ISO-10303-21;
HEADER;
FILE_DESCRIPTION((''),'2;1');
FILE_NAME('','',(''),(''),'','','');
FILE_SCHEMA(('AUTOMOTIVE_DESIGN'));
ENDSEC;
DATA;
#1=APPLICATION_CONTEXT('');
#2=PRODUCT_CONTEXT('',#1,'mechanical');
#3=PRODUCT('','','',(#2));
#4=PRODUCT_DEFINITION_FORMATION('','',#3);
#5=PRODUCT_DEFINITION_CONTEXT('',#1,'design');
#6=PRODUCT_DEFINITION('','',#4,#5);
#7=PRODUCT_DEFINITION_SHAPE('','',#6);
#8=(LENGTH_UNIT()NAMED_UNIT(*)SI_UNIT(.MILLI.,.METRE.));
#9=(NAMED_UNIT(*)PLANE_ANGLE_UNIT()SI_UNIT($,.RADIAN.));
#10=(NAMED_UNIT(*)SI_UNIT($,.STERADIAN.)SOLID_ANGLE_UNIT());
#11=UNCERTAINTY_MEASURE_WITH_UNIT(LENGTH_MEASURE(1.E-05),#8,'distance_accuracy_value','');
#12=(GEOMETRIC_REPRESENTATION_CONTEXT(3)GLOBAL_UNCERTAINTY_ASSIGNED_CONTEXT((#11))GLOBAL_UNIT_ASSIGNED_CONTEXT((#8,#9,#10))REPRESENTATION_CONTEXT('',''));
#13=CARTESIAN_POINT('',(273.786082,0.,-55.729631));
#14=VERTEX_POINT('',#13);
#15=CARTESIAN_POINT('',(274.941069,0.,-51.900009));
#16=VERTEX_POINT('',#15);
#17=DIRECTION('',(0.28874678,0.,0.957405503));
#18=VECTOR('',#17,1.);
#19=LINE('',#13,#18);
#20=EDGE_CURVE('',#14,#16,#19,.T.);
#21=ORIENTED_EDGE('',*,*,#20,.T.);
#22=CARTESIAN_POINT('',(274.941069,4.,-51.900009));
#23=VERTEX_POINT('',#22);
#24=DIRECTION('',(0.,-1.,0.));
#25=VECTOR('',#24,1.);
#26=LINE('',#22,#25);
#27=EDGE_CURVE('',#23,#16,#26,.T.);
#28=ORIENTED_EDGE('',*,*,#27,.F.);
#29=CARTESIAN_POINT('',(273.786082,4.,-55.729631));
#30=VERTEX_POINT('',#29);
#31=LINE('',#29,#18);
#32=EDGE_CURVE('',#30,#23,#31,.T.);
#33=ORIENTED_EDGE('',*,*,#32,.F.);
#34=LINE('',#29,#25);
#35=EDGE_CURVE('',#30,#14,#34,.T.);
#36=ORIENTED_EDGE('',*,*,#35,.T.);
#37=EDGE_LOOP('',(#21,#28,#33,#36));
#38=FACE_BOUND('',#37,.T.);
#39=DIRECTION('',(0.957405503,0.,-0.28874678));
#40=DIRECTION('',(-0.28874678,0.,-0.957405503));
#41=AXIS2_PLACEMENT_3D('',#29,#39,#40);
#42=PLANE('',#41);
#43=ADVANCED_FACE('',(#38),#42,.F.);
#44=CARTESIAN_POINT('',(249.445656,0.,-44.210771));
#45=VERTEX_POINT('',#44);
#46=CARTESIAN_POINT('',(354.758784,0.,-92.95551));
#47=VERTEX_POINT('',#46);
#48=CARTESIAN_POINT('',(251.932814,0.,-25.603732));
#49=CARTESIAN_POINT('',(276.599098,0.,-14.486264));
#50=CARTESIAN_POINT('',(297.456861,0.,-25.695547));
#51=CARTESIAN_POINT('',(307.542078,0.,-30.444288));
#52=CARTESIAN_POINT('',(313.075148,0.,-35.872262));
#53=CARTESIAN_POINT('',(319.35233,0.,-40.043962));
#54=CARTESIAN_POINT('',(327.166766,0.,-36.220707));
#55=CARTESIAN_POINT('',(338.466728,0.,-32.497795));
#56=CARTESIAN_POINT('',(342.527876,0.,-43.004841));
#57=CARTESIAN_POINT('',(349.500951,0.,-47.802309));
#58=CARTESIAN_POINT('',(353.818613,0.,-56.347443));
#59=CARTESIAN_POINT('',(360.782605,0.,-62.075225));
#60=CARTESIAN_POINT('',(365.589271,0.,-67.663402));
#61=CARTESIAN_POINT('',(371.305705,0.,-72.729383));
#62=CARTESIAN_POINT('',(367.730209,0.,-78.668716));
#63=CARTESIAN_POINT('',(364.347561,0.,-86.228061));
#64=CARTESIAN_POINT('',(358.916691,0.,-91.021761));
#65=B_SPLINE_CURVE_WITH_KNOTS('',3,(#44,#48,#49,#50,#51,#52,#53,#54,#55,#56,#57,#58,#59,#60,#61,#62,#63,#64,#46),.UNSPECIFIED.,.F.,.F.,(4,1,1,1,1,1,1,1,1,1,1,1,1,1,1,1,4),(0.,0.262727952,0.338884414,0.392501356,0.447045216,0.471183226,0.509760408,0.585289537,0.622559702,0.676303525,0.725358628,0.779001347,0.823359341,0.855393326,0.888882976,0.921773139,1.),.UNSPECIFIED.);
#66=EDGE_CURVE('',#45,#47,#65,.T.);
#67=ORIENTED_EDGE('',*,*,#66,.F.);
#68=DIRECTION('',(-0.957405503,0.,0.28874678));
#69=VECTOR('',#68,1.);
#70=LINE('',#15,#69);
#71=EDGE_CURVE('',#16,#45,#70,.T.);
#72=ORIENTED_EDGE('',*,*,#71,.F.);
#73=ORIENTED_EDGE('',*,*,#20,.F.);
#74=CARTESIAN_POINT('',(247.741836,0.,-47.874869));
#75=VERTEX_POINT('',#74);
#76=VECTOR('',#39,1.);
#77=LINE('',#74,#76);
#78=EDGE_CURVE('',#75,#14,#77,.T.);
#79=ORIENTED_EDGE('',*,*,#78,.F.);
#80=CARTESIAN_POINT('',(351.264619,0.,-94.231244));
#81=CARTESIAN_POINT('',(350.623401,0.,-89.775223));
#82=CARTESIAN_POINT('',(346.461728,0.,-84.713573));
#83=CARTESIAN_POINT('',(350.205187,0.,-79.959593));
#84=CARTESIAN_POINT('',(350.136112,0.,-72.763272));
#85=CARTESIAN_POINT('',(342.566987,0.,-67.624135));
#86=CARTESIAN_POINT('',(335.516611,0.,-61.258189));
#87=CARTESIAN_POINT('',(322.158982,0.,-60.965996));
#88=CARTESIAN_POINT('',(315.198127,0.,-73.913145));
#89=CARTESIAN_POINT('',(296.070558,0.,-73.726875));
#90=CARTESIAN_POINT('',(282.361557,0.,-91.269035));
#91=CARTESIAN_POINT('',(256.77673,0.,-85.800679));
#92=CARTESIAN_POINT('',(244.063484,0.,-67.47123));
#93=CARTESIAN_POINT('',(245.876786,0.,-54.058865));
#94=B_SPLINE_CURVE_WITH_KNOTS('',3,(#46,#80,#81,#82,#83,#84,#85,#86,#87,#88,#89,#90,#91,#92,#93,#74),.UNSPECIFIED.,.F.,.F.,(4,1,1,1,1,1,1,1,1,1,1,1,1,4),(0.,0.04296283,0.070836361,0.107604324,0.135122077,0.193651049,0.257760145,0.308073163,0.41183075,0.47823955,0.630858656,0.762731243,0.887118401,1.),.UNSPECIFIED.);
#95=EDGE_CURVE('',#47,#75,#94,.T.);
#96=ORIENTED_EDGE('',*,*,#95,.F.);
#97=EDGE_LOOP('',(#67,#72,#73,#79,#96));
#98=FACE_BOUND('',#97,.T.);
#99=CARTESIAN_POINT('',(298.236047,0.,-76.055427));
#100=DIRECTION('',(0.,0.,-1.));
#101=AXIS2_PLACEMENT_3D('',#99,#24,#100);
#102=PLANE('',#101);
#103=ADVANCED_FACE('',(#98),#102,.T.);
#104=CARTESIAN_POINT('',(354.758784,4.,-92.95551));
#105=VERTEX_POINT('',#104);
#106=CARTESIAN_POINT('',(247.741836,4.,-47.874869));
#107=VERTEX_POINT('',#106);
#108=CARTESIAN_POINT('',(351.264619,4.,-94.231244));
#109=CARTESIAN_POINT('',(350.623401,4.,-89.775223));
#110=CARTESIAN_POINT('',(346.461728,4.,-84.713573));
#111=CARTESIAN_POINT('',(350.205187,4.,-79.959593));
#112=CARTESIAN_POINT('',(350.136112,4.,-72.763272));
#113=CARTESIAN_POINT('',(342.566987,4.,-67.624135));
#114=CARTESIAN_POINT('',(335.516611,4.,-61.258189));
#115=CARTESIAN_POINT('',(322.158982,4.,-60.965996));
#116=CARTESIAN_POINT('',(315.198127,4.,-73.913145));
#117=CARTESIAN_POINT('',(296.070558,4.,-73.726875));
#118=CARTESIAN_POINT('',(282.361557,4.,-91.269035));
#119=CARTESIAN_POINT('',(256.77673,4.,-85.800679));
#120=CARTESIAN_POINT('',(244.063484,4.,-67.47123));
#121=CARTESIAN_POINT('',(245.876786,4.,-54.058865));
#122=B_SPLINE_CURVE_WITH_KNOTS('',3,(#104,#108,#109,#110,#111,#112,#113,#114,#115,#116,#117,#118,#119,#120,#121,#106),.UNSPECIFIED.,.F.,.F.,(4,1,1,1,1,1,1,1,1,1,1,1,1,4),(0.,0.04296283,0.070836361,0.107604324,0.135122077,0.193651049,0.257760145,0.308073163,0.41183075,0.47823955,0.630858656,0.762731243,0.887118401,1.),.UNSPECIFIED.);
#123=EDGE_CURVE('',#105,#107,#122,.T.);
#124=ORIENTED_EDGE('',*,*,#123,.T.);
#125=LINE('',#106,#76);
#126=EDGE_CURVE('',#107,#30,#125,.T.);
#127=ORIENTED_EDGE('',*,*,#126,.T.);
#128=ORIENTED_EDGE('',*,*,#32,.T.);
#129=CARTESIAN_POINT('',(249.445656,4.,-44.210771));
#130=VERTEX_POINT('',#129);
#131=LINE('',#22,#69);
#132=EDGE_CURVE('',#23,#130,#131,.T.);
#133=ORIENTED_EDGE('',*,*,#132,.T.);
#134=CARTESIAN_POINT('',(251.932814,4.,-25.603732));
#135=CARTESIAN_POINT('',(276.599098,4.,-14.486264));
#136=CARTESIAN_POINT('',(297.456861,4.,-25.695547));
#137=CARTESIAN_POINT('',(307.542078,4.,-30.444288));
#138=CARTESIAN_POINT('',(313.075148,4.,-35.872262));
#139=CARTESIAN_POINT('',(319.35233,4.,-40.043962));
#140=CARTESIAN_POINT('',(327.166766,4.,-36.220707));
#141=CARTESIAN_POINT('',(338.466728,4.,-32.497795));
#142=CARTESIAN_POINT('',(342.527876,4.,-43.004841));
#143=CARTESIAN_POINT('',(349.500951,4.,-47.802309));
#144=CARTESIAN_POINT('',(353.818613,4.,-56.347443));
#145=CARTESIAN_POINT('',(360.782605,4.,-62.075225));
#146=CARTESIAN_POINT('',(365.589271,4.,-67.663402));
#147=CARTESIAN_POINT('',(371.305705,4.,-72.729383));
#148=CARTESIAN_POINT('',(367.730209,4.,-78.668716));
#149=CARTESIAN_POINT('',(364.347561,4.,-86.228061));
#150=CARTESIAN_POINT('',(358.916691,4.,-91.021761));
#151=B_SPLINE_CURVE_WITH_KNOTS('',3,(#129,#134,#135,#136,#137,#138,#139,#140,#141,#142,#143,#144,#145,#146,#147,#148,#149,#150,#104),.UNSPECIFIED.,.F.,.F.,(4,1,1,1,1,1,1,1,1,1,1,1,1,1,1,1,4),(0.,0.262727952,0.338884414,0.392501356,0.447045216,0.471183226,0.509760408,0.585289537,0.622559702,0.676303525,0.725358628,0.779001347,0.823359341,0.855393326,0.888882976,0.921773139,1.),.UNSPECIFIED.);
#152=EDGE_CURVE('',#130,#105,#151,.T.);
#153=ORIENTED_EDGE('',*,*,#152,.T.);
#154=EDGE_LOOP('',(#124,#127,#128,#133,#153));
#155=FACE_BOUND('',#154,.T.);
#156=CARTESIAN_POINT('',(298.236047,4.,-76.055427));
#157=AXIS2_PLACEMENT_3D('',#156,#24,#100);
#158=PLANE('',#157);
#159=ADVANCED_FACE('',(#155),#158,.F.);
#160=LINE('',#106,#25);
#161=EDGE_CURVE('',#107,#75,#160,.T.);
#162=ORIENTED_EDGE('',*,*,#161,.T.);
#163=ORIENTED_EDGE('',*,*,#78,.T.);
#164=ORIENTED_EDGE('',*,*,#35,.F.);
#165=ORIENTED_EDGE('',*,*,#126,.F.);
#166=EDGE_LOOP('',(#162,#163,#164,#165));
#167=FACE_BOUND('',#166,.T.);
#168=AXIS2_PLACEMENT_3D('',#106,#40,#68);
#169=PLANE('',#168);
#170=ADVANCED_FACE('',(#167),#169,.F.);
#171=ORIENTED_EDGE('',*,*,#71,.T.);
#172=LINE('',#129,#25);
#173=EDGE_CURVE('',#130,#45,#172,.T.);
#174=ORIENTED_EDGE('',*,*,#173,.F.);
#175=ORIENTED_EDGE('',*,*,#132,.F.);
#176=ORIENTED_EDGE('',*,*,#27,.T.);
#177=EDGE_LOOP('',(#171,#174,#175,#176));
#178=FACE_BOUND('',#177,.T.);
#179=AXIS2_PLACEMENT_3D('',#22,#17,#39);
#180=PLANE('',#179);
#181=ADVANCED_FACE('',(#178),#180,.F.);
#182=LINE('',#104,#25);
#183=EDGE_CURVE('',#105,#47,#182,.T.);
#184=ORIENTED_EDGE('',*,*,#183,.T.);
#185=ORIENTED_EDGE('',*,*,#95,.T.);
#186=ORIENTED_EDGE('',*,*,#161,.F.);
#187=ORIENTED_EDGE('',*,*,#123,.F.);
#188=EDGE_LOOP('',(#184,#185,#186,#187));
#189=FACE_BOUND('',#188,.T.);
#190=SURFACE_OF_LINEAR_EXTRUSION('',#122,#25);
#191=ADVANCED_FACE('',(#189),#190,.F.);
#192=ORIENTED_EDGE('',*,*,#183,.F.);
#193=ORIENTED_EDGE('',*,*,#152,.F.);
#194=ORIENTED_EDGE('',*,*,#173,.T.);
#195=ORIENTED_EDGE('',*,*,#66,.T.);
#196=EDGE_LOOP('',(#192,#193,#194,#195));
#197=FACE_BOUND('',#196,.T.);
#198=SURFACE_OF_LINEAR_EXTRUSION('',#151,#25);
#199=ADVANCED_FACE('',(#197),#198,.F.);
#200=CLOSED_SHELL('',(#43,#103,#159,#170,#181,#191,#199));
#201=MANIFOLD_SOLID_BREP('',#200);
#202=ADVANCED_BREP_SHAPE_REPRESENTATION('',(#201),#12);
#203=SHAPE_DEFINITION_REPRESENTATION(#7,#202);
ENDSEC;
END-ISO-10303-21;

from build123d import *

# Parameters (mm, degrees)
EXTRUDE_1_DEPTH = 4


with BuildPart() as part:
    # Эскиз1 → Бобышка-Вытянуть1 (new body)
    with BuildSketch(Plane(origin=(0, 0, 0), x_dir=(1, 0, 0), z_dir=(0, 1, 0))):
        with BuildLine():
            Line((247.741835852, 47.874869006), (273.786081968, 55.729630826))
            Line((273.786081968, 55.729630826), (274.941069086, 51.900008813))
            Line((274.941069086, 51.900008813), (249.445655619, 44.210771069))
            add(Edge.make_bspline(
                [(354.758784134, 92.955509874), (358.916690971, 91.021761105), (364.347560567, 86.228061254), (367.730208942, 78.668715766), (371.305704515, 72.72938285), (365.589270963, 67.663402352), (360.782605143, 62.075225194), (353.818613111, 56.347442619), (349.500951456, 47.802309252), (342.527875727, 43.004841238), (338.466727575, 32.497794809), (327.166765998, 36.220707194), (319.352329821, 40.043962424), (313.075148165, 35.872262433), (307.542077601, 30.444288243), (297.456861123, 25.695547138), (276.599097952, 14.486263778), (251.932813617, 25.603732039), (249.445655619, 44.210771069)],
                knots=[0, 0, 0, 0, 0.078226861, 0.111117024, 0.144606674, 0.176640659, 0.220998653, 0.274641372, 0.323696475, 0.377440298, 0.414710463, 0.490239592, 0.528816774, 0.552954784, 0.607498644, 0.661115586, 0.737272048, 1, 1, 1, 1], degree=3))
            add(Edge.make_bspline(
                [(354.758784134, 92.955509874), (351.264618647, 94.231244124), (350.623400977, 89.775222798), (346.461727609, 84.713572716), (350.205187422, 79.95959348), (350.136111936, 72.763272085), (342.566986953, 67.624134973), (335.516611303, 61.258189163), (322.158981941, 60.965995587), (315.198127234, 73.913145143), (296.070557929, 73.726875181), (282.361557353, 91.269034749), (256.776729947, 85.800678741), (244.063484397, 67.47123045), (245.876786144, 54.058864744), (247.741835852, 47.874869006)],
                knots=[0, 0, 0, 0, 0.04296283, 0.070836361, 0.107604324, 0.135122077, 0.193651049, 0.257760145, 0.308073163, 0.41183075, 0.47823955, 0.630858656, 0.762731243, 0.887118401, 1, 1, 1, 1], degree=3))
        make_face()
    extrude(amount=EXTRUDE_1_DEPTH)


solid = part.part
